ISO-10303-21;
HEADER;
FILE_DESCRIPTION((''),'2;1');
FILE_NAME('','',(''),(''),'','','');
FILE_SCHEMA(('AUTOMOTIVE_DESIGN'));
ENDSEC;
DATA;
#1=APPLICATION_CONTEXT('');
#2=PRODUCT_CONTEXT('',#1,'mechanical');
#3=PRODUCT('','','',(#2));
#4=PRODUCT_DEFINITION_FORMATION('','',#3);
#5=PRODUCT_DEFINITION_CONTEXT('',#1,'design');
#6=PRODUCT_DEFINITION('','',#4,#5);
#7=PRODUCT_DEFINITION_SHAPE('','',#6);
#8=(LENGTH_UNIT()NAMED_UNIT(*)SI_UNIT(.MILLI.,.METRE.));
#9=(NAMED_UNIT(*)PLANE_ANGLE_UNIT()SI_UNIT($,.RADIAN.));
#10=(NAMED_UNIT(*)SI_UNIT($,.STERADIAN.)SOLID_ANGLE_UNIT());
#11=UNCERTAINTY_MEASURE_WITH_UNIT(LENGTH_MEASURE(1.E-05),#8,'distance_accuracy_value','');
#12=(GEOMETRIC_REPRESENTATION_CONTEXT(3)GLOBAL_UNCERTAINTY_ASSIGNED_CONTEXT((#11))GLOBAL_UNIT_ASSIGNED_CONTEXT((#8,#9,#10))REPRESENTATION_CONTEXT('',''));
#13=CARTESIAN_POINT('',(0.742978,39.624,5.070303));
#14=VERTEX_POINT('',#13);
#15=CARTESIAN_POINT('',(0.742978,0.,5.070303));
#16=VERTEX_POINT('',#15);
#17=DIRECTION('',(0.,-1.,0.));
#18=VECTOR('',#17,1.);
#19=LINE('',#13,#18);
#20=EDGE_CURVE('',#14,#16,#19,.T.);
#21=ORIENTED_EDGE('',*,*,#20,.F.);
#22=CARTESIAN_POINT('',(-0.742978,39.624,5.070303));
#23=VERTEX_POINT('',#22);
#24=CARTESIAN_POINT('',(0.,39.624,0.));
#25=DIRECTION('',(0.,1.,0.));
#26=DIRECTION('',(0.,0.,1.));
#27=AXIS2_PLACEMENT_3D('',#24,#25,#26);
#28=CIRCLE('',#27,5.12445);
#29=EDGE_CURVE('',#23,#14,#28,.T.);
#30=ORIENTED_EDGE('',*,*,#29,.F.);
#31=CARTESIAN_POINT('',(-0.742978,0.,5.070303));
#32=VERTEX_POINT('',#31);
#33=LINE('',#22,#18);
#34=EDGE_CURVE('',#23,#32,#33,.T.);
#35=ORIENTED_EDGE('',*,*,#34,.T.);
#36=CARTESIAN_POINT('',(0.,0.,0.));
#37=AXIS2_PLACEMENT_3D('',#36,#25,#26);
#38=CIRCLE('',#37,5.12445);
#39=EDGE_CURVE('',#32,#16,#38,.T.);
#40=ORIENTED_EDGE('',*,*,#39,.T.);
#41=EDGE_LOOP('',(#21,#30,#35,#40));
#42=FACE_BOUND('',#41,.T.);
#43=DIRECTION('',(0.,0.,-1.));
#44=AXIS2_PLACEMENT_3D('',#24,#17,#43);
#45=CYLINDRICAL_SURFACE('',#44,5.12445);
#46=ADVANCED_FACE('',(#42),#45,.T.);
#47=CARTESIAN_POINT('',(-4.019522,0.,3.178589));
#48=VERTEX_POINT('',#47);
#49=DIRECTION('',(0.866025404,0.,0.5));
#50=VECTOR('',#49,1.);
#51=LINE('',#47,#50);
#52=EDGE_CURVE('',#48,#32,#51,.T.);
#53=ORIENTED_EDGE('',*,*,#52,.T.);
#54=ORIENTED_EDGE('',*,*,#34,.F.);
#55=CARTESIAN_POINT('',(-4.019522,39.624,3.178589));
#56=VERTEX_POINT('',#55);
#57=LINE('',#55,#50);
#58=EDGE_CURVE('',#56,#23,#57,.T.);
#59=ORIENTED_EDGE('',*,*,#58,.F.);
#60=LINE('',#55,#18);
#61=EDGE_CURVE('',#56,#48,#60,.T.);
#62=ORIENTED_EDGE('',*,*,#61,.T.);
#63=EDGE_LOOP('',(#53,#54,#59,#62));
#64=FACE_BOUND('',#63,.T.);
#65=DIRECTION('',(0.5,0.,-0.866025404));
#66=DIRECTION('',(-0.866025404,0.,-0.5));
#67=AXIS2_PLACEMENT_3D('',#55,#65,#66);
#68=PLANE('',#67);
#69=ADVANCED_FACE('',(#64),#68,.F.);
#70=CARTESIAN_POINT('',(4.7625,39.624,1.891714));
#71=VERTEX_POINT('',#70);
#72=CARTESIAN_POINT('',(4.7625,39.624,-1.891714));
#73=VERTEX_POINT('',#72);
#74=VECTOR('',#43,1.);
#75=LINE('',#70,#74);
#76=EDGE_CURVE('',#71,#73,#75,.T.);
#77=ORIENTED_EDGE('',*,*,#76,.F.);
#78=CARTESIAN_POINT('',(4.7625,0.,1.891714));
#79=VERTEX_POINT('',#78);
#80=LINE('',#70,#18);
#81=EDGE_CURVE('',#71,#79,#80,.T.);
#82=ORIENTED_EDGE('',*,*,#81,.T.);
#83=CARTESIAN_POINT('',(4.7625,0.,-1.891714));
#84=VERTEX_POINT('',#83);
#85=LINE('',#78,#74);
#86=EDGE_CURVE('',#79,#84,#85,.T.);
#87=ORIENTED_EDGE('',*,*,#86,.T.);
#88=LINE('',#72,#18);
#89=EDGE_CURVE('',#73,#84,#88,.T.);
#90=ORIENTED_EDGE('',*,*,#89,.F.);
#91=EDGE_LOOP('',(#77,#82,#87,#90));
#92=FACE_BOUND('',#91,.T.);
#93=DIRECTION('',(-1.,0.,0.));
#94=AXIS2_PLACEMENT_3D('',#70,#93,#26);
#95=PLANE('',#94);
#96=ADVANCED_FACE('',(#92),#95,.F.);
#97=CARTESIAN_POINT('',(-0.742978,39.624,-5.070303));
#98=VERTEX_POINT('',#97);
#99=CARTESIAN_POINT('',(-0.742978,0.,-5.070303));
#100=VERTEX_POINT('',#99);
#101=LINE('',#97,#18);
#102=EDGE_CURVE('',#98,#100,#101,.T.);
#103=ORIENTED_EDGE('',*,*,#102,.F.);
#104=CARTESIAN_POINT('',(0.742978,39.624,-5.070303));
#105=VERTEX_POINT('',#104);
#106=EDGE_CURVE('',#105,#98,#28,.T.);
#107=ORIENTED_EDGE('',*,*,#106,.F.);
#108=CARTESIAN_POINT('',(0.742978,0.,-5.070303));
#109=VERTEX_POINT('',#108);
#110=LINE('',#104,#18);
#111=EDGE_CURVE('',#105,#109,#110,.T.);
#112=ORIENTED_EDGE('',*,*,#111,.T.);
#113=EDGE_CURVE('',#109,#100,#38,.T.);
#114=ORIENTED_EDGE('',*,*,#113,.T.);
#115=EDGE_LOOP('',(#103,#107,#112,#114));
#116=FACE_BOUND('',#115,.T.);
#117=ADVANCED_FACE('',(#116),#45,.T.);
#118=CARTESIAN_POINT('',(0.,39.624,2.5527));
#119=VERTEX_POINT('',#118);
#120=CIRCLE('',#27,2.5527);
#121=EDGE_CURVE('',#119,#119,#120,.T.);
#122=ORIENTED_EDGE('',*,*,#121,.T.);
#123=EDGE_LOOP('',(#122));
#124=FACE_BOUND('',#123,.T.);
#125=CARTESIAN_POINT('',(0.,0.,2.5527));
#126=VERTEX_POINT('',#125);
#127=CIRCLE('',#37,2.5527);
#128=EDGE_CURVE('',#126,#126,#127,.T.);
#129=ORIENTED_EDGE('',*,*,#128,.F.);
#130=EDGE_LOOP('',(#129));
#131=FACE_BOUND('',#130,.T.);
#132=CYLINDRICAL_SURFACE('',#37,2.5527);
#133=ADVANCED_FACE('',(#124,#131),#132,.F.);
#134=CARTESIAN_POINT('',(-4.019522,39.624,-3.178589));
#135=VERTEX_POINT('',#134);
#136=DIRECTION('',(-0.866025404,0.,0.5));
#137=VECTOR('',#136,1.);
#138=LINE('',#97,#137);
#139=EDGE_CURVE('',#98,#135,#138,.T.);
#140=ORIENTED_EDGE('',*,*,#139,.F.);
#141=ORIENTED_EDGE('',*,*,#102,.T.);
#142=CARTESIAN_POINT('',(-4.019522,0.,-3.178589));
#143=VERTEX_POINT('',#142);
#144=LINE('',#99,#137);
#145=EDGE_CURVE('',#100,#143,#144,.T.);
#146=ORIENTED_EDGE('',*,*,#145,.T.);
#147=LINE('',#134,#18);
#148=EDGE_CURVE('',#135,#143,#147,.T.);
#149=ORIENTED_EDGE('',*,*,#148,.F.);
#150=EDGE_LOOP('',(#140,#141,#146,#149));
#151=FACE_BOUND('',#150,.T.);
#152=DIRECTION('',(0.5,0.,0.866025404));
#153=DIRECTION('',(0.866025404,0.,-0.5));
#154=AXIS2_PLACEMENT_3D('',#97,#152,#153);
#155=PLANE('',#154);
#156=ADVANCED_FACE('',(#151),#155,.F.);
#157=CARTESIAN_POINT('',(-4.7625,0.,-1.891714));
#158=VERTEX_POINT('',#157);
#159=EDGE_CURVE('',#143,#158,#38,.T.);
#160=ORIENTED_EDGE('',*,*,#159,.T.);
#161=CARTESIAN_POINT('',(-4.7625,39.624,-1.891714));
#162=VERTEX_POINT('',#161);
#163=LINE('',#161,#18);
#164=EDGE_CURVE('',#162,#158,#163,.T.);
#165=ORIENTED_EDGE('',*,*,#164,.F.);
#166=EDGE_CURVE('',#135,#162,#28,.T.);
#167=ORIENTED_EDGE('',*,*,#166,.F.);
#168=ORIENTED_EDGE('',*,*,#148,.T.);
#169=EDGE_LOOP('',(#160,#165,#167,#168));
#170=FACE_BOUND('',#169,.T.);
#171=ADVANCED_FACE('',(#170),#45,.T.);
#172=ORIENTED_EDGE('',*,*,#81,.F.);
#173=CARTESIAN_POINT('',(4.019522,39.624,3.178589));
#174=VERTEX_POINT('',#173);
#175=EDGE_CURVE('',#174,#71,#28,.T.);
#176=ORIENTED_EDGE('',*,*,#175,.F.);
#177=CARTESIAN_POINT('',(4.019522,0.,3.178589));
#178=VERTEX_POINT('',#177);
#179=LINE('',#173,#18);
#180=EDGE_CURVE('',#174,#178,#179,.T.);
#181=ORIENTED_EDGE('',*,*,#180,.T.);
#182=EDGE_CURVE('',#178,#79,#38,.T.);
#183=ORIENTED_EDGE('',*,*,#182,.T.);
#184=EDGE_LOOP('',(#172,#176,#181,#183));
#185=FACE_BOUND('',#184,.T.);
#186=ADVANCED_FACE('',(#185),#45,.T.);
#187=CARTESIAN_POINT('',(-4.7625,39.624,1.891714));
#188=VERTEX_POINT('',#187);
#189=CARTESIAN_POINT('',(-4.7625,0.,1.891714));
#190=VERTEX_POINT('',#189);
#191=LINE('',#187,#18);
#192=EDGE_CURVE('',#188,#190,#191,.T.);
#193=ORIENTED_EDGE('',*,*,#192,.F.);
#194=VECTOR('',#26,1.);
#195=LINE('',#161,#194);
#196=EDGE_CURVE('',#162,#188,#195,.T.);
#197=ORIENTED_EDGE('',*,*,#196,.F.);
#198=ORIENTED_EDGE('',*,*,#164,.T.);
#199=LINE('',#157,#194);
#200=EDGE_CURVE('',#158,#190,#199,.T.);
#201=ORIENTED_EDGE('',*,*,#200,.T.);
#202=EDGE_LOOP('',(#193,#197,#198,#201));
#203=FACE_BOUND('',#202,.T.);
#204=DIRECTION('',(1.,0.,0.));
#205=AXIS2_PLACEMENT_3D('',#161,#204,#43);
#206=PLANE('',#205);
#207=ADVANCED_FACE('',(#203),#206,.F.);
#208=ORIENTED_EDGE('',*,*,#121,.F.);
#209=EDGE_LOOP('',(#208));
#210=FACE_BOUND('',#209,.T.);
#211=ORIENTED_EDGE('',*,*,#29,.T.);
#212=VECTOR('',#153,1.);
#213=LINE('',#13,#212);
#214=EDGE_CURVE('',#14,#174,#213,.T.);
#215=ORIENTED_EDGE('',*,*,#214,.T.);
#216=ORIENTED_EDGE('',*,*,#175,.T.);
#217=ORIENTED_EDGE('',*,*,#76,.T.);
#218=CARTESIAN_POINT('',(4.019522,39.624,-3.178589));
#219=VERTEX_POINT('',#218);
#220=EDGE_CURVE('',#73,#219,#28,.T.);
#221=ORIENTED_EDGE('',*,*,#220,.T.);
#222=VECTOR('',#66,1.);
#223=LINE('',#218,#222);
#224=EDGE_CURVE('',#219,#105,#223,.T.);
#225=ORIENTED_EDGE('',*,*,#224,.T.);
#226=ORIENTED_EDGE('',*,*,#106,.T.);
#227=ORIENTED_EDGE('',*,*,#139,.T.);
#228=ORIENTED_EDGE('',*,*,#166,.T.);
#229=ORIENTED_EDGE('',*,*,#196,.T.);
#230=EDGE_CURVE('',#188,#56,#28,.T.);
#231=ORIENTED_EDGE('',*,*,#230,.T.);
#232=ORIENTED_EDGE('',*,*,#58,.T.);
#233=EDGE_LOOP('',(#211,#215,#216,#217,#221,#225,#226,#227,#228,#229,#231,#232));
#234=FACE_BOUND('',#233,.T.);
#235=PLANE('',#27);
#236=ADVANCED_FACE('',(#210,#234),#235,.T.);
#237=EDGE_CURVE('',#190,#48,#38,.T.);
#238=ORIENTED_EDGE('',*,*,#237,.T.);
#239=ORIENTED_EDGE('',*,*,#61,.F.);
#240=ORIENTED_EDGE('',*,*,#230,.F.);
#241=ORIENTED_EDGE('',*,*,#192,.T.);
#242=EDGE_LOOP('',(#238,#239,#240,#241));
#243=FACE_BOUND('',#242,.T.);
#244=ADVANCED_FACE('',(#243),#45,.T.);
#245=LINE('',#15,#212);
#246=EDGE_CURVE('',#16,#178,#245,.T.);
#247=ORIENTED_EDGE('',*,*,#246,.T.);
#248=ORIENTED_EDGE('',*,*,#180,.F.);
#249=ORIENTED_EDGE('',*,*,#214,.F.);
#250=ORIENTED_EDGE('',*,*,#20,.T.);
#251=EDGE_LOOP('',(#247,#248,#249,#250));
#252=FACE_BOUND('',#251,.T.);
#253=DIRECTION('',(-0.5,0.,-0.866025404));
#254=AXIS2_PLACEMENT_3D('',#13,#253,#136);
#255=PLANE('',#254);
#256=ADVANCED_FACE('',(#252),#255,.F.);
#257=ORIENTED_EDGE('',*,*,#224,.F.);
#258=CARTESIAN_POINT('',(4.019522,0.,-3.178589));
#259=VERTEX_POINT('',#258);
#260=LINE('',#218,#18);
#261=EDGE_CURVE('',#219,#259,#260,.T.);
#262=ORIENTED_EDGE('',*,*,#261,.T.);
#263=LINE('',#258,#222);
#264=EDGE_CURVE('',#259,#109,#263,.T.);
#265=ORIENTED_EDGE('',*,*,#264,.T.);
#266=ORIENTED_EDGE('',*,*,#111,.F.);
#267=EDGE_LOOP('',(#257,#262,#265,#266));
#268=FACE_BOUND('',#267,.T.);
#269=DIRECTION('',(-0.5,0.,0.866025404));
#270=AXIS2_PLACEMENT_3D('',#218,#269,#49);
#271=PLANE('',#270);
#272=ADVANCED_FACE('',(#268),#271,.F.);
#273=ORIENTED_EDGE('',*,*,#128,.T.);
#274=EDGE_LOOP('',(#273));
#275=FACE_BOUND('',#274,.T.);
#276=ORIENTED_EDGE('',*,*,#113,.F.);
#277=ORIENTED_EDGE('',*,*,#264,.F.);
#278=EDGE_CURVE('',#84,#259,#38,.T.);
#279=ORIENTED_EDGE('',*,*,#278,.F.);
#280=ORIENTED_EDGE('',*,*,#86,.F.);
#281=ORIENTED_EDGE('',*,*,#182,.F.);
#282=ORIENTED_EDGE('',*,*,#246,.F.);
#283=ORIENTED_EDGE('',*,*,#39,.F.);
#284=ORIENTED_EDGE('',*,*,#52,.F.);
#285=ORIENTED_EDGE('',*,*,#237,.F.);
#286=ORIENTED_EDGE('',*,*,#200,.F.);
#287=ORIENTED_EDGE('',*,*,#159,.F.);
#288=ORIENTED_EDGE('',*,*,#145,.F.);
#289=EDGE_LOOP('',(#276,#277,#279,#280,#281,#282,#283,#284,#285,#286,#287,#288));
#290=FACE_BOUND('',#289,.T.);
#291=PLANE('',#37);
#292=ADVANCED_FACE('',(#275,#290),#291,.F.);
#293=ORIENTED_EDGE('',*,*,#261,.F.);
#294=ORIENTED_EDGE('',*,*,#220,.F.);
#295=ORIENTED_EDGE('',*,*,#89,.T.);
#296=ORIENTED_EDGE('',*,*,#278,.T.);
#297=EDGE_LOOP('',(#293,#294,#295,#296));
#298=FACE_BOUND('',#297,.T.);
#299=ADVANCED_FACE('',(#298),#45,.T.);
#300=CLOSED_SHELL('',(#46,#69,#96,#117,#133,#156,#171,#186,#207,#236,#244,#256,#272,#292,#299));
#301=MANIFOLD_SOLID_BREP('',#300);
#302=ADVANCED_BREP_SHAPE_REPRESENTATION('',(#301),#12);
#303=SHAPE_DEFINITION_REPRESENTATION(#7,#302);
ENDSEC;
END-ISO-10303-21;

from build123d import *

# Parameters (mm, degrees)
BOSS_EXTRUDE1_DEPTH = 39.624
SKETCH2_R           = 2.5527
CUT_EXTRUDE1_DEPTH  = 41.236833499


with BuildPart() as part:
    # Sketch1 → Boss-Extrude1 (new body)
    with BuildSketch(Plane(origin=(0, 0, 0), x_dir=(1, 0, 0), z_dir=(0, 1, 0))):
        with BuildLine():
            Line((-0.742977689, 5.070302945), (-4.019522311, 3.178589026))
            ThreePointArc((-4.019522311, 3.178589026), (-4.43790388, 2.562225), (-4.7625, 1.891713919))
            Line((-4.7625, 1.891713919), (-4.7625, -1.891713919))
            ThreePointArc((-4.7625, -1.891713919), (-4.43790388, -2.562225), (-4.019522311, -3.178589026))
            Line((-4.019522311, -3.178589026), (-0.742977689, -5.070302945))
            ThreePointArc((-0.742977689, -5.070302945), (0, -5.12445), (0.742977689, -5.070302945))
            Line((0.742977689, -5.070302945), (4.019522311, -3.178589026))
            ThreePointArc((4.019522311, -3.178589026), (4.43790388, -2.562225), (4.7625, -1.891713919))
            Line((4.7625, -1.891713919), (4.7625, 1.891713919))
            ThreePointArc((4.7625, 1.891713919), (4.43790388, 2.562225), (4.019522311, 3.178589026))
            Line((4.019522311, 3.178589026), (0.742977689, 5.070302945))
            ThreePointArc((0.742977689, 5.070302945), (0, 5.12445), (-0.742977689, 5.070302945))
        make_face()
    extrude(amount=BOSS_EXTRUDE1_DEPTH)

    # Sketch2 → Cut-Extrude1 (cut, through all)
    with BuildSketch(Plane(origin=(0, 39.624, 0), x_dir=(1, 0, 0), z_dir=(0, 1, 0))):
        with Locations(Location((0, 0, 0), (0, 0, 270))):
            Circle(SKETCH2_R)
    extrude(amount=-CUT_EXTRUDE1_DEPTH, mode=Mode.SUBTRACT)


solid = part.part
